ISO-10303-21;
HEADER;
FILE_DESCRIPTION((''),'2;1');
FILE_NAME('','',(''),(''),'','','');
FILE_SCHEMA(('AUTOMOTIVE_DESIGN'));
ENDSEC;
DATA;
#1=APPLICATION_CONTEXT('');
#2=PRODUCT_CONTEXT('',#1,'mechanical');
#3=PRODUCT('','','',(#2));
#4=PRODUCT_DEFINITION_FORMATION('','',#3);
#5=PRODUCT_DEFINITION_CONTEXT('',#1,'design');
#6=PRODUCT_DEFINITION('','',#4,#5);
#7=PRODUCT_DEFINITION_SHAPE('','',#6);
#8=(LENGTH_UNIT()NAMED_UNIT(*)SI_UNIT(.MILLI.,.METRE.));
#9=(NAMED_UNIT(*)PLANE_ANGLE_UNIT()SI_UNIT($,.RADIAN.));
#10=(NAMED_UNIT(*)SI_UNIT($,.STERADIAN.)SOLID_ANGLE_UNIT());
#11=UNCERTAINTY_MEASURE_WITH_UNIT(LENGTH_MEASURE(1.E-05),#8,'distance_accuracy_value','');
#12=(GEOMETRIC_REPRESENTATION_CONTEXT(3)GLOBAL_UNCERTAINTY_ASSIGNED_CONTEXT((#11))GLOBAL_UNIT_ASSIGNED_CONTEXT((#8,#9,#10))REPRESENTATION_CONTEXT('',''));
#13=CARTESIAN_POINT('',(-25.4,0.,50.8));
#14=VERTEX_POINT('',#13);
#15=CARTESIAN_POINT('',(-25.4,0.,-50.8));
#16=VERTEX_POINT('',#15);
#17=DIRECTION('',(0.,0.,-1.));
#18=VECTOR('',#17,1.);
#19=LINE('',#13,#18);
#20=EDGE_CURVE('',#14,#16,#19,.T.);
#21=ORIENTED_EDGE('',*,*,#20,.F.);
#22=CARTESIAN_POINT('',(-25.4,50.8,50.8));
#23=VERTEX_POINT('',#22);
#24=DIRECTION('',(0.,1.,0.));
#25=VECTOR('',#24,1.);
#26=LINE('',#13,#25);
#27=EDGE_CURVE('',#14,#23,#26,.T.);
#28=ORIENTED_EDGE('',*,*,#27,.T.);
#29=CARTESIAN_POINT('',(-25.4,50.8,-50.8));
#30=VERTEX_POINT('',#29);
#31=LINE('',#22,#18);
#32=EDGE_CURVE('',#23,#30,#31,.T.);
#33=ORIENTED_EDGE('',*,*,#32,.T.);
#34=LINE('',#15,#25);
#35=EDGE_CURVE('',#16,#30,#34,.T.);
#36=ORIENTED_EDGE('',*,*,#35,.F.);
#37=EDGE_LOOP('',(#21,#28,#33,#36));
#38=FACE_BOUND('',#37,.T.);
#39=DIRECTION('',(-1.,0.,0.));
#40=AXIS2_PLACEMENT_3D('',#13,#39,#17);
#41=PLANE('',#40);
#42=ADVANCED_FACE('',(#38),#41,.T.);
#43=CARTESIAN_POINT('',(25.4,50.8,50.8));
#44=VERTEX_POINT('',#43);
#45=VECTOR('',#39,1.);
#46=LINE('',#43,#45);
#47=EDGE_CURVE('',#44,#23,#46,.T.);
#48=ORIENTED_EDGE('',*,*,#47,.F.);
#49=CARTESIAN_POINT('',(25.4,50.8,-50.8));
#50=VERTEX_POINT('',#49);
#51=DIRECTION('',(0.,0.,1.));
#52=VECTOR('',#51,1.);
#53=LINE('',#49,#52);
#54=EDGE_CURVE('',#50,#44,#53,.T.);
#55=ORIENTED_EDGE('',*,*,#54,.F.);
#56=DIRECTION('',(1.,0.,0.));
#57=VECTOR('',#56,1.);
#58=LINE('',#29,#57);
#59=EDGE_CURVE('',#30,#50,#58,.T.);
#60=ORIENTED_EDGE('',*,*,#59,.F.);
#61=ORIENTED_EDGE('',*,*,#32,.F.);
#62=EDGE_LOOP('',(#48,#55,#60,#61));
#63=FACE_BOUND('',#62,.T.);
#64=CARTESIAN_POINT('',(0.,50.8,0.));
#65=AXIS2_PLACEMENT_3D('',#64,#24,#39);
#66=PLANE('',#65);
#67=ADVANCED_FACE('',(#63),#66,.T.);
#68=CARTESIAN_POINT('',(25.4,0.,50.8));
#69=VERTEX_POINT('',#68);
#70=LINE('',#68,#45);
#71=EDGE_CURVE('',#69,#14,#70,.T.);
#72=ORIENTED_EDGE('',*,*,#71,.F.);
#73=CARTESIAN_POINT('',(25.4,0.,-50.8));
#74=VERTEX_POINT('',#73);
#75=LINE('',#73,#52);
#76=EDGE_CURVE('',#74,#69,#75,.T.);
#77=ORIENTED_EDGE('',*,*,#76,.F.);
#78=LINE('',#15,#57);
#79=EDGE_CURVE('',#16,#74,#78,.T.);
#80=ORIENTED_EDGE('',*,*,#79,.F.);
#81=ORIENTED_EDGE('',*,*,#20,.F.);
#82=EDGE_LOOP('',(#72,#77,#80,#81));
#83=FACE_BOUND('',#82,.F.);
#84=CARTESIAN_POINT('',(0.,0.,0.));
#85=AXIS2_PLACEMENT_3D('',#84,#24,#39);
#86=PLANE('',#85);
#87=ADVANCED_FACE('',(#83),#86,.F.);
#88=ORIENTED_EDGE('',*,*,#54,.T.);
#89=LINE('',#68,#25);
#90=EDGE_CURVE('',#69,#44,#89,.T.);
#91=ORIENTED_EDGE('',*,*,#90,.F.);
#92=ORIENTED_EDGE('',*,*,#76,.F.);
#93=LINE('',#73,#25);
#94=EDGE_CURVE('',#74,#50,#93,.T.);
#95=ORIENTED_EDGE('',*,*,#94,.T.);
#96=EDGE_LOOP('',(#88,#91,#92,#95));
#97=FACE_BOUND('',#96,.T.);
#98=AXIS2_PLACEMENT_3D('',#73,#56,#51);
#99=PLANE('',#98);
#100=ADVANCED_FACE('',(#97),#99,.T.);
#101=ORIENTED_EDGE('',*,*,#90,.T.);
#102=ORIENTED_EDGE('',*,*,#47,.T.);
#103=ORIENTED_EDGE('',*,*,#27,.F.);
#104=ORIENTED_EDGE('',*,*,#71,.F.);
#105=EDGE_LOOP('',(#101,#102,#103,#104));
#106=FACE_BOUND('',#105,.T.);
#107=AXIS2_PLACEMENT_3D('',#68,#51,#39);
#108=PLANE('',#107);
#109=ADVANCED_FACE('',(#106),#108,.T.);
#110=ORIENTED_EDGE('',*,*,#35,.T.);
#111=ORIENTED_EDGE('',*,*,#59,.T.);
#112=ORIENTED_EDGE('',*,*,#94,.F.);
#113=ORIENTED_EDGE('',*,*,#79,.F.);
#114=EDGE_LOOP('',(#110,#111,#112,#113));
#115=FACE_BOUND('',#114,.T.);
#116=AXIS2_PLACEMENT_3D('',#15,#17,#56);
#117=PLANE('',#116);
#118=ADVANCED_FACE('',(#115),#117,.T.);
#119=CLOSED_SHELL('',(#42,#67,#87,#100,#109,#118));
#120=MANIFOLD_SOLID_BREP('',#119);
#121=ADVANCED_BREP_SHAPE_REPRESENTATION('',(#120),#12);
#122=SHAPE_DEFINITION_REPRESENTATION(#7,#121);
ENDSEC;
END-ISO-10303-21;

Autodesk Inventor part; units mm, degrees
ref_plane "YZ Plane" through (0, 0, 0) normal (1, 0, 0) x (0, 1, 0)
ref_plane "XZ Plane" through (0, 0, 0) normal (0, 1, 0) x (-1, 0, 0)
ref_plane "XY Plane" through (0, 0, 0) normal (0, 0, 1) x (1, 0, 0)
sketch "Sketch1" plane through (0, 0, 0) normal (0, 1, 0) x (-1, 0, 0)
  line L0 (-25.4, 50.8) -> (25.4, 50.8)
  line L1 (25.4, 50.8) -> (25.4, -50.8)
  line L2 (25.4, -50.8) -> (-25.4, -50.8)
  line L3 (-25.4, -50.8) -> (-25.4, 50.8)
  line L4 (-25.4, 50.8) -> (25.4, -50.8) construction
  line L5 (25.4, 50.8) -> (-25.4, -50.8) construction
  point P0 (0, 0)
  dimension "d0" = 50.8
  dimension "d1" = 101.6
extrude "Extrusion1" add sketch "Sketch1" along normal blind 50.8
properties part number "BX11111"
